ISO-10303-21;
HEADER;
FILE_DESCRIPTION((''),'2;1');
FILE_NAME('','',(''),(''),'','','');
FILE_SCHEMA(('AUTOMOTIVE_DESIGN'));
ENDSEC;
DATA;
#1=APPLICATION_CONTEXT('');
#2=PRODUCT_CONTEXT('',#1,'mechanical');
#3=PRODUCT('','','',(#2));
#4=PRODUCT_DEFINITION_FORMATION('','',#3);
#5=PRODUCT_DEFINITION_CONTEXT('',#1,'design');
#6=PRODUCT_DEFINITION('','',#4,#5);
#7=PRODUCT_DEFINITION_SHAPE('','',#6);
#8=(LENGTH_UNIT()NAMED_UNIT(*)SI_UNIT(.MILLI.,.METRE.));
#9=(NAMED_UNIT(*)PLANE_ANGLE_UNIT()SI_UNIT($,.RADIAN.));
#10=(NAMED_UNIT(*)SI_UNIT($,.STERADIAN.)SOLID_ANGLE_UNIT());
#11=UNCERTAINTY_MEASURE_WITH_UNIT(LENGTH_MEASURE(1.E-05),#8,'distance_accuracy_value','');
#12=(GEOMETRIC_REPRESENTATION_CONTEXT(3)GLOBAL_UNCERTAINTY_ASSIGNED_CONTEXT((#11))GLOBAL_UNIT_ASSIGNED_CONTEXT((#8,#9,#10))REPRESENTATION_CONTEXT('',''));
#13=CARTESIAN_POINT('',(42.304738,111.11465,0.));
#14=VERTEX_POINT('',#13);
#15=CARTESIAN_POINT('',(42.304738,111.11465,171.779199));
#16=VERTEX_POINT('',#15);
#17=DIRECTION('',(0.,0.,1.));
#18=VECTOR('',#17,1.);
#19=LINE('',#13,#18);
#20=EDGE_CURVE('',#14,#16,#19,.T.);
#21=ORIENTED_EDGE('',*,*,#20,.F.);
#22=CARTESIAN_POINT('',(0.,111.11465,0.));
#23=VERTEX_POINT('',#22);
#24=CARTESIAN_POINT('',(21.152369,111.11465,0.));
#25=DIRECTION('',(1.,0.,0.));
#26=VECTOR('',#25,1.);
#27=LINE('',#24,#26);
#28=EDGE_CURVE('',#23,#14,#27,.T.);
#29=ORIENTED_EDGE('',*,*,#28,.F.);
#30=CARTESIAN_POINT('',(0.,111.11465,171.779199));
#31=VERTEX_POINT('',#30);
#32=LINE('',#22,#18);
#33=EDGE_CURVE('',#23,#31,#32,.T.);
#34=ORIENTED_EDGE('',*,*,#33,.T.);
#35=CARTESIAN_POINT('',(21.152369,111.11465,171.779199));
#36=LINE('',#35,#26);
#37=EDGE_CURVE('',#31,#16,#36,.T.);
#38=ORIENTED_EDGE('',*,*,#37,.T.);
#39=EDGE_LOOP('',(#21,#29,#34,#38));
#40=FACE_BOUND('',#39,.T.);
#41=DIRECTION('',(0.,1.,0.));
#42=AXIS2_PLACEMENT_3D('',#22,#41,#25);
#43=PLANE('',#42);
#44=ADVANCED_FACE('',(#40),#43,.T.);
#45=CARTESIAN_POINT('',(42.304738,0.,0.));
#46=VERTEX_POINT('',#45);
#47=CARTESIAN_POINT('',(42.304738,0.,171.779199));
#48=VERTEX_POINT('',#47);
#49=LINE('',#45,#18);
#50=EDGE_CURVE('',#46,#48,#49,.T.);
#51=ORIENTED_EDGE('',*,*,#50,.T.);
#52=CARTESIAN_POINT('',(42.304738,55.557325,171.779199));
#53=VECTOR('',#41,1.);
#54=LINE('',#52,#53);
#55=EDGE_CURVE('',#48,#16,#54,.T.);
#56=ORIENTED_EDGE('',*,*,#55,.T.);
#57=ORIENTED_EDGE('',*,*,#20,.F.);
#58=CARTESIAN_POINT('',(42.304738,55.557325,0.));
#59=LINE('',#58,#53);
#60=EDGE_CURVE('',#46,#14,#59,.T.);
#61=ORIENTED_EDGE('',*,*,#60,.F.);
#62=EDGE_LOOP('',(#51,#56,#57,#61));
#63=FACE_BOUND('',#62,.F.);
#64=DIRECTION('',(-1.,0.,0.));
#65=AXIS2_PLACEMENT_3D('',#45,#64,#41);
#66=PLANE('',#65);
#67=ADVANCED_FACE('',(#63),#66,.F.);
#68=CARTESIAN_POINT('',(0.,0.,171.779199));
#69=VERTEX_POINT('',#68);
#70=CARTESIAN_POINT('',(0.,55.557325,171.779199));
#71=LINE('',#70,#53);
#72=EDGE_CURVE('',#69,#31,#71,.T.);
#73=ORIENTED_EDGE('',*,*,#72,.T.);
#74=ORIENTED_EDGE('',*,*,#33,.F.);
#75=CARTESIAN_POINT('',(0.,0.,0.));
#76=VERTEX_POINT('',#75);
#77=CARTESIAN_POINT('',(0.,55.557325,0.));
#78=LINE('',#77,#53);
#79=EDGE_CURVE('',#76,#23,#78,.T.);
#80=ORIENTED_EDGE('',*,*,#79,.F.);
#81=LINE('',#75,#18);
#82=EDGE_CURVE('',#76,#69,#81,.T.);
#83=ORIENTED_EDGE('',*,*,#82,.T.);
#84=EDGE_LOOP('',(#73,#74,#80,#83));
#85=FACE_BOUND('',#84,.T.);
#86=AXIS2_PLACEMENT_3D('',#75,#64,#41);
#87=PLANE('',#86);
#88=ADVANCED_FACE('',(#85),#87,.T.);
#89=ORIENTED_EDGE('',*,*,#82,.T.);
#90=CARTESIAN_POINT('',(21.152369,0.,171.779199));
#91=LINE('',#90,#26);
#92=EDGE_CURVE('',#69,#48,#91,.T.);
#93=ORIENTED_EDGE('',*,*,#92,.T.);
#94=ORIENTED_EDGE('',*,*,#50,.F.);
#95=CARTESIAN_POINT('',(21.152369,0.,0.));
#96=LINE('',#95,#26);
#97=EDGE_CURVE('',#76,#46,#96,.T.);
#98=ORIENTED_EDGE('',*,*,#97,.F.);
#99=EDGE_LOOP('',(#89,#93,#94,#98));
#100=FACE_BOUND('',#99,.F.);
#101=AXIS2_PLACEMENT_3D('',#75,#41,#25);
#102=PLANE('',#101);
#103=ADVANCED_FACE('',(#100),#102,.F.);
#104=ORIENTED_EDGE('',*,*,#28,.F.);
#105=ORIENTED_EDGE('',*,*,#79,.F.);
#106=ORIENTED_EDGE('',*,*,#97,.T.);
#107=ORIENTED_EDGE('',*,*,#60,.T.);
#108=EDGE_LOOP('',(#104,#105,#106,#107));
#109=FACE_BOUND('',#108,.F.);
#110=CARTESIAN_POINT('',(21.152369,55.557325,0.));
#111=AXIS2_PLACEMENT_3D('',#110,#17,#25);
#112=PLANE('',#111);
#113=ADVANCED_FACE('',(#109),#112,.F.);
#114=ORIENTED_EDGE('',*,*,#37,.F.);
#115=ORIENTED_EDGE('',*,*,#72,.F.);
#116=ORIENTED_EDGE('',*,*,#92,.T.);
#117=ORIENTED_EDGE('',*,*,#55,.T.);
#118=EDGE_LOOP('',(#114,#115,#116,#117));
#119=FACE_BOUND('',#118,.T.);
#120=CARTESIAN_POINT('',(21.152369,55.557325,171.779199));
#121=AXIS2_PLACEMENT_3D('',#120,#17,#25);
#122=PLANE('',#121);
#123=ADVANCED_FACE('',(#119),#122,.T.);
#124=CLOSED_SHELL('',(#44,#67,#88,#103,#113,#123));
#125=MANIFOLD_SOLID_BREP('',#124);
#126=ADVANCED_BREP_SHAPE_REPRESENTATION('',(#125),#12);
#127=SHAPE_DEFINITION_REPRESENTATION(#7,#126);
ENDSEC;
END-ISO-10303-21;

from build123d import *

# Parameters (mm, degrees)
F1_W     = 42.304739
F1_H     = 111.114651
F2_DEPTH = 171.779199


with BuildPart() as f2:
    # F1 (on face) → F2 (new body)
    with BuildSketch(Plane.XY):
        with Locations((21.152369, 55.557325)):
            Rectangle(F1_W, F1_H)
    extrude(amount=F2_DEPTH)


solid = f2.part
